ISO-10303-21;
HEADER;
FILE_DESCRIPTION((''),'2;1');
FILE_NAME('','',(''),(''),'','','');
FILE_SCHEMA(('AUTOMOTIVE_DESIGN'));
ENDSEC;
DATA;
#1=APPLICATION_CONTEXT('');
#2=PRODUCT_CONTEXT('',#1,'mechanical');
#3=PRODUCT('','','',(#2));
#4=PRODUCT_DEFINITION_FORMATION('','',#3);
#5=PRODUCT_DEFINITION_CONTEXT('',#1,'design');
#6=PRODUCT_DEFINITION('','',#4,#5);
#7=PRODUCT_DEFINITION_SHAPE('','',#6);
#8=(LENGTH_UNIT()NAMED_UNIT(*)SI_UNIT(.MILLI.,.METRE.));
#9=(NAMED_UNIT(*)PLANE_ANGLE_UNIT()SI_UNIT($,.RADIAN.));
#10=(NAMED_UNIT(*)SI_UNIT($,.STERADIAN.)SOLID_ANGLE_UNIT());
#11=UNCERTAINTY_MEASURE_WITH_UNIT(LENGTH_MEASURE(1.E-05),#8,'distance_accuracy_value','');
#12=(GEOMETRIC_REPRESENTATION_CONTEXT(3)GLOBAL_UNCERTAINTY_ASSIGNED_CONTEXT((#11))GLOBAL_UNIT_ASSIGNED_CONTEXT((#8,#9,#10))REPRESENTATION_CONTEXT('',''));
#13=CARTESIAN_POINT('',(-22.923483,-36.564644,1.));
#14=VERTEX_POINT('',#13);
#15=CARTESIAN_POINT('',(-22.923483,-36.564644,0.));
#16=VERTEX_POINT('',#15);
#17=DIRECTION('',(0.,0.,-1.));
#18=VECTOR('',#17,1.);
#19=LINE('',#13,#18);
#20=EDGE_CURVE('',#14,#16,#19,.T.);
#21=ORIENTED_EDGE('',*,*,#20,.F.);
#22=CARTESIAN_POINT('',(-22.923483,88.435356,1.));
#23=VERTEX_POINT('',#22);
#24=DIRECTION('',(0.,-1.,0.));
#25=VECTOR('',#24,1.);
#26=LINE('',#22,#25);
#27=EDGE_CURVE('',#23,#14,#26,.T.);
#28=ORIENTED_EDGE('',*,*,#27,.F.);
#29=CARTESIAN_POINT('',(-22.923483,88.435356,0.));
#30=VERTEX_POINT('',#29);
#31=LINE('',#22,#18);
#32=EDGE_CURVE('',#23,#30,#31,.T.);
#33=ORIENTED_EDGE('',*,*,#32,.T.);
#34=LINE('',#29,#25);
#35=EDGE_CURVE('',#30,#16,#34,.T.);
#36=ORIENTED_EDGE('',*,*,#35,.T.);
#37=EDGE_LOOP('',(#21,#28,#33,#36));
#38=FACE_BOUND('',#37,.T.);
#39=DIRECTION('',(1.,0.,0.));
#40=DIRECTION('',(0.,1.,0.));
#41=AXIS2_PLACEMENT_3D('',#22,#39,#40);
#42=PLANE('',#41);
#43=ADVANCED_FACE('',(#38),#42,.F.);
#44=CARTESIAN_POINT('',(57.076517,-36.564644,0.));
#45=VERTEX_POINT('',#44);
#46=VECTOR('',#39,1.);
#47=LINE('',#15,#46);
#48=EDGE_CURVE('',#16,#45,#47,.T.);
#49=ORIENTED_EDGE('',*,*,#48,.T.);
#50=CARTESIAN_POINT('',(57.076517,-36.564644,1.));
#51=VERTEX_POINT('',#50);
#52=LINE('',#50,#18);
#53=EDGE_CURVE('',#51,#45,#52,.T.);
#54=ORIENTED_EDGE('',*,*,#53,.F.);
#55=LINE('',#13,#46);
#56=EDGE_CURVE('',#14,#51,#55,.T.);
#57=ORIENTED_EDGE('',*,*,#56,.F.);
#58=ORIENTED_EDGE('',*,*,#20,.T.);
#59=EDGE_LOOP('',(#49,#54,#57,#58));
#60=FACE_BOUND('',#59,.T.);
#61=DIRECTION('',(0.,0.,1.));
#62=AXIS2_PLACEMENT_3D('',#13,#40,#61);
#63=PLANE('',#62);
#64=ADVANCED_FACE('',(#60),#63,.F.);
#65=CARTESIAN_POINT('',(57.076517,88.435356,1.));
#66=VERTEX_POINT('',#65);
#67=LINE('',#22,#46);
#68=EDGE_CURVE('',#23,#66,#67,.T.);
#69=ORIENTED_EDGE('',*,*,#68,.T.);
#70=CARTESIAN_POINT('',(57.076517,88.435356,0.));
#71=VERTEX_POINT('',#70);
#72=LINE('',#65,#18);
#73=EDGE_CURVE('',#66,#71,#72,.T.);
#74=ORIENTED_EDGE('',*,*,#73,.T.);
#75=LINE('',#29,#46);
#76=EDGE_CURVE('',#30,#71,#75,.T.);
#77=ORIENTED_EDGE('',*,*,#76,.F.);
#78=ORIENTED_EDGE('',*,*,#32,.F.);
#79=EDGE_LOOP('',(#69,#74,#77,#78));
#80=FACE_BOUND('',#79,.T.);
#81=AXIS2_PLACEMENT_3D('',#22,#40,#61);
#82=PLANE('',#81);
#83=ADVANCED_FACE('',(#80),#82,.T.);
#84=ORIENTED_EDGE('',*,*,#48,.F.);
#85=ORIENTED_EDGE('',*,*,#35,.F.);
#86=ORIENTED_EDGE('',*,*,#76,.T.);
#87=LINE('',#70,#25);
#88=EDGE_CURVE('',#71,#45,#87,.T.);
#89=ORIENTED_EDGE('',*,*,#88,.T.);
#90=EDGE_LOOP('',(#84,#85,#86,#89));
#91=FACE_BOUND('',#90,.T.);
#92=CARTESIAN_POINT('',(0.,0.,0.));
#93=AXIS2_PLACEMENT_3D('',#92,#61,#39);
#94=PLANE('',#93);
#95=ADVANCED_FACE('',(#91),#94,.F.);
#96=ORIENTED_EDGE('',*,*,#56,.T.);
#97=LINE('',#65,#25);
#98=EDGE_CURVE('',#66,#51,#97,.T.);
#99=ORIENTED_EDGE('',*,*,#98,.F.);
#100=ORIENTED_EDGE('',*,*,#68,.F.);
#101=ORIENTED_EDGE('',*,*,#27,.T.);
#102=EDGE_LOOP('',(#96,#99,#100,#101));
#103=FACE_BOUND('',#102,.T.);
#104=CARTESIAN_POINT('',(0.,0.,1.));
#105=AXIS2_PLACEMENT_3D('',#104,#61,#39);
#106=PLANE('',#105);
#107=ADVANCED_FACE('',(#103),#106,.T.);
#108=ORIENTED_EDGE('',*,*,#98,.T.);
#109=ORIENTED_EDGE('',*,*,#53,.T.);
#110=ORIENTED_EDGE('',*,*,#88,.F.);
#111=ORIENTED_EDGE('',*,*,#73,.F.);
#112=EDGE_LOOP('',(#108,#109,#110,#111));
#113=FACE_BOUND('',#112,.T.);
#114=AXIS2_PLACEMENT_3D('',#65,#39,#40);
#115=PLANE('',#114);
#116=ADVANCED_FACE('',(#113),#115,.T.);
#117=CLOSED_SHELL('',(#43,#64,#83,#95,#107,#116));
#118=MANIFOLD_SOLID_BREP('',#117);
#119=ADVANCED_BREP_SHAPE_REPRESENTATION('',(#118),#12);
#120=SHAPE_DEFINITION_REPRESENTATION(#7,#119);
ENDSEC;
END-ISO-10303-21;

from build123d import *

# Parameters (mm, degrees)
SKETCH_1_W      = 80
SKETCH_1_H      = 125
EXTRUDE_1_DEPTH = 1


with BuildPart() as part:
    # 草图1 → 凸台-拉伸1 (new body)
    with BuildSketch(Plane.XY):
        with Locations((17.07651715, 25.935356201)):
            Rectangle(SKETCH_1_W, SKETCH_1_H)
    extrude(amount=EXTRUDE_1_DEPTH)


solid = part.part
